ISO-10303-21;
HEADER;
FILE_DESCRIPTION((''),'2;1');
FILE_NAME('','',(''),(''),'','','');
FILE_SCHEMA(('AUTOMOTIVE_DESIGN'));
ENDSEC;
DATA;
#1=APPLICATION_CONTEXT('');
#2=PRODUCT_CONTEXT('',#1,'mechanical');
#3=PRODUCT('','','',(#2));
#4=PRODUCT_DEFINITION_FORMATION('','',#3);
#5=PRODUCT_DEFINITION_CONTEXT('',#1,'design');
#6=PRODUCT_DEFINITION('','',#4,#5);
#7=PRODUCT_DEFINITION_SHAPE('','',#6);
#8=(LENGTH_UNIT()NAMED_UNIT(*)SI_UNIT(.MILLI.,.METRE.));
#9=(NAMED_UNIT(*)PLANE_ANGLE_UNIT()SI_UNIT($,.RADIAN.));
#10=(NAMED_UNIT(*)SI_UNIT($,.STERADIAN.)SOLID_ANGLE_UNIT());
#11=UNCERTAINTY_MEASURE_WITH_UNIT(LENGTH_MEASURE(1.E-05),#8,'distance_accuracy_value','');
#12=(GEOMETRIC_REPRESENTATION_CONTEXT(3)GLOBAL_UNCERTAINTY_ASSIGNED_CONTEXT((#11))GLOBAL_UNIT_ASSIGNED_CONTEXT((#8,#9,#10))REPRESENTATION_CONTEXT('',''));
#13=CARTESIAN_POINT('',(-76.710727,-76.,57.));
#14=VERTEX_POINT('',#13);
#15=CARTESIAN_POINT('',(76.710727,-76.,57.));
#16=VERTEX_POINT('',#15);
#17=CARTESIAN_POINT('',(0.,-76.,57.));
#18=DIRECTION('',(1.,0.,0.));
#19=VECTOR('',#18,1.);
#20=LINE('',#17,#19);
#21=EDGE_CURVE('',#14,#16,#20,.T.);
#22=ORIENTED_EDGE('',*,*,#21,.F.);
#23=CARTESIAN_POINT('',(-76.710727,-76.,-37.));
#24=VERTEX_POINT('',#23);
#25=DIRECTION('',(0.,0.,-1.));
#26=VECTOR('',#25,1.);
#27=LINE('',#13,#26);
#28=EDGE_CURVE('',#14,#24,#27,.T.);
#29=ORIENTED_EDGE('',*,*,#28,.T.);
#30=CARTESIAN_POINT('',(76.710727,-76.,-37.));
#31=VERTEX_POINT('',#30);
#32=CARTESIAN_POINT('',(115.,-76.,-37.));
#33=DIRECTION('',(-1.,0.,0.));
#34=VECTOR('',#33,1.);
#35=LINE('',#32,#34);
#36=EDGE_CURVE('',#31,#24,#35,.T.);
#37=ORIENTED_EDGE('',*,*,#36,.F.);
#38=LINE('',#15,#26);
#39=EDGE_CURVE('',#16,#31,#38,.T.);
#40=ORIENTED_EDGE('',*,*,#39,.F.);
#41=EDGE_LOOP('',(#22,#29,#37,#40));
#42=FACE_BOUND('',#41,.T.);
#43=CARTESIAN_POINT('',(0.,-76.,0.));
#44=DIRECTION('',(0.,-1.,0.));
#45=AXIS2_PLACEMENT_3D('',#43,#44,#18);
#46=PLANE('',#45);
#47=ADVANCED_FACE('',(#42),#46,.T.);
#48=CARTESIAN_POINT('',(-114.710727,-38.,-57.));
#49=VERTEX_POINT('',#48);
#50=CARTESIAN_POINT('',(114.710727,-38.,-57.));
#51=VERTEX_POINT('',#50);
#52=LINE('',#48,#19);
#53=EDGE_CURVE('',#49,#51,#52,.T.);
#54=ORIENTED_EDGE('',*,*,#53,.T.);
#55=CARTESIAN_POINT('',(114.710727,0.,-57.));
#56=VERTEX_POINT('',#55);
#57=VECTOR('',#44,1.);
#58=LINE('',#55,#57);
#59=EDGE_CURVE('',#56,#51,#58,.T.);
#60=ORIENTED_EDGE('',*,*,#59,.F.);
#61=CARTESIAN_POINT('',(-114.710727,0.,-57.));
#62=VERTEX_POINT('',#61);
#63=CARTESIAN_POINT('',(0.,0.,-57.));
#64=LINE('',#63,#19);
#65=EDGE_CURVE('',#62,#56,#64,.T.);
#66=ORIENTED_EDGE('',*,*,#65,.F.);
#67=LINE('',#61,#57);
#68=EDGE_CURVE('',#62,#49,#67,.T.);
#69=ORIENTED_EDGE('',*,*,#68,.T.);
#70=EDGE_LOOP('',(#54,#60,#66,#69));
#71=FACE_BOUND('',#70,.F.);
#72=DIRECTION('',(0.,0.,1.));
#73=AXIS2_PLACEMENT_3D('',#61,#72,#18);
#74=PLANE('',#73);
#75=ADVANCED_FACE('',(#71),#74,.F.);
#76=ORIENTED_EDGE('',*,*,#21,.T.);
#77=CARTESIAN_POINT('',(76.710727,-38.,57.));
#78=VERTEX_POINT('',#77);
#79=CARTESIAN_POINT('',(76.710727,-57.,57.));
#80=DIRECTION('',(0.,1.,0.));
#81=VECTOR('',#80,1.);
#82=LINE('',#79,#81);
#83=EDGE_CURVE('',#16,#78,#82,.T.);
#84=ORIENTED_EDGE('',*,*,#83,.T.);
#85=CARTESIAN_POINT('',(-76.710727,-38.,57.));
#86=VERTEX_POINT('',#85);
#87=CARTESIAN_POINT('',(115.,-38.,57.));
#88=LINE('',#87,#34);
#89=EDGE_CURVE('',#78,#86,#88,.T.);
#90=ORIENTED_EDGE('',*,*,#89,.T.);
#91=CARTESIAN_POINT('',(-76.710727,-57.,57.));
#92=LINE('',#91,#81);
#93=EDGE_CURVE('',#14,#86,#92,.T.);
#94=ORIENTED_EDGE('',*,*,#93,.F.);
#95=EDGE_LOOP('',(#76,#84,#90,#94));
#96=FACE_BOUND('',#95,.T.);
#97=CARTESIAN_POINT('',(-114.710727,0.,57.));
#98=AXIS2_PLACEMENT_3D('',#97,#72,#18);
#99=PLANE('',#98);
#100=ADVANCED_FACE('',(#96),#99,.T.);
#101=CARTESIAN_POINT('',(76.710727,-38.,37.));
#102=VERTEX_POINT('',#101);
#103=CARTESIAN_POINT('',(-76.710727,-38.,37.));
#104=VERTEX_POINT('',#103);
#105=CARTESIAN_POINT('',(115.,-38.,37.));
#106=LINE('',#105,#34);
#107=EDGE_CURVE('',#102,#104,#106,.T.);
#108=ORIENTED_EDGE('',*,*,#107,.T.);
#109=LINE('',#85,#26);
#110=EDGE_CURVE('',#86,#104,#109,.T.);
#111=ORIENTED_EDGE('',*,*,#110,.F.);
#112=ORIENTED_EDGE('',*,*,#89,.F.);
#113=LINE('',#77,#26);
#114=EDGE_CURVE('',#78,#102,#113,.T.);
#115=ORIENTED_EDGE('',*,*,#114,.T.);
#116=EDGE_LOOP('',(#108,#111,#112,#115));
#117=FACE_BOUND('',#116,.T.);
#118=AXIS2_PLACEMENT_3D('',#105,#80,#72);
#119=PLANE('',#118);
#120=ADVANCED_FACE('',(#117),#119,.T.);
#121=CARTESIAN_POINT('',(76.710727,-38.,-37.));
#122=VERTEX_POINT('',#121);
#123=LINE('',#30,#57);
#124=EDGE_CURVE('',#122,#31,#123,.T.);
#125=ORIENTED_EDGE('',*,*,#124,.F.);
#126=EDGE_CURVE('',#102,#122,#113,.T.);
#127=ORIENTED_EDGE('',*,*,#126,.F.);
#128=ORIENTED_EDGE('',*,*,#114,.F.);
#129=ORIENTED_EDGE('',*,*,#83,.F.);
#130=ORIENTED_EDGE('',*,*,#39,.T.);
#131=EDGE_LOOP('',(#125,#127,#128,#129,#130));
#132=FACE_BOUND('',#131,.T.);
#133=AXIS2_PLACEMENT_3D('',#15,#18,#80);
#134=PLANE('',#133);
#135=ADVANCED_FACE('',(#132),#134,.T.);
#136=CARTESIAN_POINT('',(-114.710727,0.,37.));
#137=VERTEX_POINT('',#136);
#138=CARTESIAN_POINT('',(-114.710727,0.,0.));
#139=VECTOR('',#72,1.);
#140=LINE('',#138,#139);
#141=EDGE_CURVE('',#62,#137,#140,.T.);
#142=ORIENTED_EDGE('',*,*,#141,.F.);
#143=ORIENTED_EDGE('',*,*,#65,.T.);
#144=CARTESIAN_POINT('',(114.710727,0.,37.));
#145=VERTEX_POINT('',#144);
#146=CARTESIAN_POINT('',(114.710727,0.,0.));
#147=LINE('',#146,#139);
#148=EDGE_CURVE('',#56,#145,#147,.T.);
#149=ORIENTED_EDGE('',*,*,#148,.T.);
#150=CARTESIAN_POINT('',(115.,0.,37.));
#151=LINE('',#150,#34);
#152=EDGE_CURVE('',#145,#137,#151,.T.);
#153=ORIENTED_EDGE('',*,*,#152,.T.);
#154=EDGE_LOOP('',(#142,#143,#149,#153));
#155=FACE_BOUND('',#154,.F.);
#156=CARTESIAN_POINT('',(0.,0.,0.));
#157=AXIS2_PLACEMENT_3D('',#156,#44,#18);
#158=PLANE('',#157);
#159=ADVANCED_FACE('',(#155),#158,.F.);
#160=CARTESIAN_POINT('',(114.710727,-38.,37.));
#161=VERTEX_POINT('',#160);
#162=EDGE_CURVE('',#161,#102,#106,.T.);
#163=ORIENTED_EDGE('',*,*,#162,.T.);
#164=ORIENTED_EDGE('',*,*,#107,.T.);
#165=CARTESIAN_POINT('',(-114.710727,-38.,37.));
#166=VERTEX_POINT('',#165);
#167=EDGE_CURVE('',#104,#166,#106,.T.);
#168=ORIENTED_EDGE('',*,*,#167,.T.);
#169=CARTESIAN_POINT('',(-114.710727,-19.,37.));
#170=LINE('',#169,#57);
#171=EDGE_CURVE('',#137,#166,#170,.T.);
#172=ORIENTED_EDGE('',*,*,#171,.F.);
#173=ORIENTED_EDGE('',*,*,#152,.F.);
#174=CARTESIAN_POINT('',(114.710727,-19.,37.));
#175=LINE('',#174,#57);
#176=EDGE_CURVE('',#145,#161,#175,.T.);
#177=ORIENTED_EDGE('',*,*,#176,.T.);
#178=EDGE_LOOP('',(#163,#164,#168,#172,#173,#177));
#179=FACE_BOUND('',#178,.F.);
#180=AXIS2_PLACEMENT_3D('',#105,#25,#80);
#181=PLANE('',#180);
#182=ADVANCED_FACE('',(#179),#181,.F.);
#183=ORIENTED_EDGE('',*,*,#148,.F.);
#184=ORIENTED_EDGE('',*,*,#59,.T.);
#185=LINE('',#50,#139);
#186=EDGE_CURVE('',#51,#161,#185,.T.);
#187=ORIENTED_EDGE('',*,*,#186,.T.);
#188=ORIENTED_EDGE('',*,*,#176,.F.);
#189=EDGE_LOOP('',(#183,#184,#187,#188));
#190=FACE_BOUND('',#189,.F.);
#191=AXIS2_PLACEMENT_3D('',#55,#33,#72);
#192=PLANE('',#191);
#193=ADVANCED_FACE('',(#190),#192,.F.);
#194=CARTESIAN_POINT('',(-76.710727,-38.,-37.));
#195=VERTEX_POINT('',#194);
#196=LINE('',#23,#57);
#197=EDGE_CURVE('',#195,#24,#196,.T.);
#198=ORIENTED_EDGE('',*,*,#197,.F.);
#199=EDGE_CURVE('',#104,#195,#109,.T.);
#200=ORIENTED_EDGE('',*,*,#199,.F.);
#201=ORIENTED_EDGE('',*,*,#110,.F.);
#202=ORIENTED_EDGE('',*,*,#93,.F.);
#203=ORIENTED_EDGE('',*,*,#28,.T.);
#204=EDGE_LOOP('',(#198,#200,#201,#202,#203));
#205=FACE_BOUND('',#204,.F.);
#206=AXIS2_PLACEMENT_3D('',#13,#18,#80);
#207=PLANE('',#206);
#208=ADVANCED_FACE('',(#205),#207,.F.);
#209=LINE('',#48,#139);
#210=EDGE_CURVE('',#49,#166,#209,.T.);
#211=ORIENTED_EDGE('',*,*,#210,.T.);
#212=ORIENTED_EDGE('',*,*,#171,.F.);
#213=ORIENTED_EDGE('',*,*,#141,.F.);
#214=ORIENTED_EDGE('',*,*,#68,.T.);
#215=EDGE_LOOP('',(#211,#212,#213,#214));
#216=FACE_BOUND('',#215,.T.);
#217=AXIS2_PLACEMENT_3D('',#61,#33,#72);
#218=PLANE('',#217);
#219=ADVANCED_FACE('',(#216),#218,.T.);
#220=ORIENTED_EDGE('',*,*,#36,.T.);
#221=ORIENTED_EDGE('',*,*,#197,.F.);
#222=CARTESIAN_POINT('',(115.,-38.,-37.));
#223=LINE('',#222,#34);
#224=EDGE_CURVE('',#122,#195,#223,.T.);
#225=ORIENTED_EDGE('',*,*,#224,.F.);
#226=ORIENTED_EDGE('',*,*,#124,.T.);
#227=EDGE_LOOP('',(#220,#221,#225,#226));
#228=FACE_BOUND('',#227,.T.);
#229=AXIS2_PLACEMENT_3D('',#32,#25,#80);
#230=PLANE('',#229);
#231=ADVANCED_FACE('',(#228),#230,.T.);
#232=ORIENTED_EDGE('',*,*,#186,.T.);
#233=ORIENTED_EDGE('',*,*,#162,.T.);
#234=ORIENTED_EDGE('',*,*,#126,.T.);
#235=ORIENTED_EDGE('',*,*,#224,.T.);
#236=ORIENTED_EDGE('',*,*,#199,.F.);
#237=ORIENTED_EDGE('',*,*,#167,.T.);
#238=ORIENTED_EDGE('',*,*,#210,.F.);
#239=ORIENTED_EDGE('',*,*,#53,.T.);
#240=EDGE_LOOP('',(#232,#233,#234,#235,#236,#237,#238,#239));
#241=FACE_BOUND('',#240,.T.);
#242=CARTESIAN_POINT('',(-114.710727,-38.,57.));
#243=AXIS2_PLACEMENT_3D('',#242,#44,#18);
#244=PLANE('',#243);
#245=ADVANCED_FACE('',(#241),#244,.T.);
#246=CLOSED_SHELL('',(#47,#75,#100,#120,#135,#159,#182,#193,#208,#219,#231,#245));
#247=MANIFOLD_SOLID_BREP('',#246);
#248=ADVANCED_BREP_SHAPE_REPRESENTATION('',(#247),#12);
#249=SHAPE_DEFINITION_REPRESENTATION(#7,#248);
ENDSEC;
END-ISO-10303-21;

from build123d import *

# Parameters (mm, degrees)
F0_W     = 229.421454
F0_H     = 114
F1_DEPTH = 76
F3_W     = 38
F3_H     = 20
F4_DEPTH = 229.711727
F6_W     = 38
F6_H     = 38
F7_DEPTH = 114.001


with BuildPart() as f1:
    # F0 (on Front) → F1 (new body)
    with BuildSketch(Plane.XZ):
        Rectangle(F0_W, F0_H)
    extrude(amount=F1_DEPTH)

    # F3 (on offset) → F4 (cut, through all)
    with BuildSketch(Plane.YZ.offset(115)):
        with Locations((-19, 47)):
            Rectangle(F3_W, F3_H)
        with Locations((-57, -47)):
            Rectangle(F3_W, F3_H)
    extrude(amount=-F4_DEPTH, mode=Mode.SUBTRACT)

    # F6 (on offset) → F7 (cut, through all)
    with BuildSketch(Plane.XY.offset(57)):
        with Locations((-95.710727, -57)):
            Rectangle(F6_W, F6_H)
        with Locations((95.710727, -57)):
            Rectangle(F6_W, F6_H)
    extrude(amount=-F7_DEPTH, mode=Mode.SUBTRACT)


solid = f1.part
